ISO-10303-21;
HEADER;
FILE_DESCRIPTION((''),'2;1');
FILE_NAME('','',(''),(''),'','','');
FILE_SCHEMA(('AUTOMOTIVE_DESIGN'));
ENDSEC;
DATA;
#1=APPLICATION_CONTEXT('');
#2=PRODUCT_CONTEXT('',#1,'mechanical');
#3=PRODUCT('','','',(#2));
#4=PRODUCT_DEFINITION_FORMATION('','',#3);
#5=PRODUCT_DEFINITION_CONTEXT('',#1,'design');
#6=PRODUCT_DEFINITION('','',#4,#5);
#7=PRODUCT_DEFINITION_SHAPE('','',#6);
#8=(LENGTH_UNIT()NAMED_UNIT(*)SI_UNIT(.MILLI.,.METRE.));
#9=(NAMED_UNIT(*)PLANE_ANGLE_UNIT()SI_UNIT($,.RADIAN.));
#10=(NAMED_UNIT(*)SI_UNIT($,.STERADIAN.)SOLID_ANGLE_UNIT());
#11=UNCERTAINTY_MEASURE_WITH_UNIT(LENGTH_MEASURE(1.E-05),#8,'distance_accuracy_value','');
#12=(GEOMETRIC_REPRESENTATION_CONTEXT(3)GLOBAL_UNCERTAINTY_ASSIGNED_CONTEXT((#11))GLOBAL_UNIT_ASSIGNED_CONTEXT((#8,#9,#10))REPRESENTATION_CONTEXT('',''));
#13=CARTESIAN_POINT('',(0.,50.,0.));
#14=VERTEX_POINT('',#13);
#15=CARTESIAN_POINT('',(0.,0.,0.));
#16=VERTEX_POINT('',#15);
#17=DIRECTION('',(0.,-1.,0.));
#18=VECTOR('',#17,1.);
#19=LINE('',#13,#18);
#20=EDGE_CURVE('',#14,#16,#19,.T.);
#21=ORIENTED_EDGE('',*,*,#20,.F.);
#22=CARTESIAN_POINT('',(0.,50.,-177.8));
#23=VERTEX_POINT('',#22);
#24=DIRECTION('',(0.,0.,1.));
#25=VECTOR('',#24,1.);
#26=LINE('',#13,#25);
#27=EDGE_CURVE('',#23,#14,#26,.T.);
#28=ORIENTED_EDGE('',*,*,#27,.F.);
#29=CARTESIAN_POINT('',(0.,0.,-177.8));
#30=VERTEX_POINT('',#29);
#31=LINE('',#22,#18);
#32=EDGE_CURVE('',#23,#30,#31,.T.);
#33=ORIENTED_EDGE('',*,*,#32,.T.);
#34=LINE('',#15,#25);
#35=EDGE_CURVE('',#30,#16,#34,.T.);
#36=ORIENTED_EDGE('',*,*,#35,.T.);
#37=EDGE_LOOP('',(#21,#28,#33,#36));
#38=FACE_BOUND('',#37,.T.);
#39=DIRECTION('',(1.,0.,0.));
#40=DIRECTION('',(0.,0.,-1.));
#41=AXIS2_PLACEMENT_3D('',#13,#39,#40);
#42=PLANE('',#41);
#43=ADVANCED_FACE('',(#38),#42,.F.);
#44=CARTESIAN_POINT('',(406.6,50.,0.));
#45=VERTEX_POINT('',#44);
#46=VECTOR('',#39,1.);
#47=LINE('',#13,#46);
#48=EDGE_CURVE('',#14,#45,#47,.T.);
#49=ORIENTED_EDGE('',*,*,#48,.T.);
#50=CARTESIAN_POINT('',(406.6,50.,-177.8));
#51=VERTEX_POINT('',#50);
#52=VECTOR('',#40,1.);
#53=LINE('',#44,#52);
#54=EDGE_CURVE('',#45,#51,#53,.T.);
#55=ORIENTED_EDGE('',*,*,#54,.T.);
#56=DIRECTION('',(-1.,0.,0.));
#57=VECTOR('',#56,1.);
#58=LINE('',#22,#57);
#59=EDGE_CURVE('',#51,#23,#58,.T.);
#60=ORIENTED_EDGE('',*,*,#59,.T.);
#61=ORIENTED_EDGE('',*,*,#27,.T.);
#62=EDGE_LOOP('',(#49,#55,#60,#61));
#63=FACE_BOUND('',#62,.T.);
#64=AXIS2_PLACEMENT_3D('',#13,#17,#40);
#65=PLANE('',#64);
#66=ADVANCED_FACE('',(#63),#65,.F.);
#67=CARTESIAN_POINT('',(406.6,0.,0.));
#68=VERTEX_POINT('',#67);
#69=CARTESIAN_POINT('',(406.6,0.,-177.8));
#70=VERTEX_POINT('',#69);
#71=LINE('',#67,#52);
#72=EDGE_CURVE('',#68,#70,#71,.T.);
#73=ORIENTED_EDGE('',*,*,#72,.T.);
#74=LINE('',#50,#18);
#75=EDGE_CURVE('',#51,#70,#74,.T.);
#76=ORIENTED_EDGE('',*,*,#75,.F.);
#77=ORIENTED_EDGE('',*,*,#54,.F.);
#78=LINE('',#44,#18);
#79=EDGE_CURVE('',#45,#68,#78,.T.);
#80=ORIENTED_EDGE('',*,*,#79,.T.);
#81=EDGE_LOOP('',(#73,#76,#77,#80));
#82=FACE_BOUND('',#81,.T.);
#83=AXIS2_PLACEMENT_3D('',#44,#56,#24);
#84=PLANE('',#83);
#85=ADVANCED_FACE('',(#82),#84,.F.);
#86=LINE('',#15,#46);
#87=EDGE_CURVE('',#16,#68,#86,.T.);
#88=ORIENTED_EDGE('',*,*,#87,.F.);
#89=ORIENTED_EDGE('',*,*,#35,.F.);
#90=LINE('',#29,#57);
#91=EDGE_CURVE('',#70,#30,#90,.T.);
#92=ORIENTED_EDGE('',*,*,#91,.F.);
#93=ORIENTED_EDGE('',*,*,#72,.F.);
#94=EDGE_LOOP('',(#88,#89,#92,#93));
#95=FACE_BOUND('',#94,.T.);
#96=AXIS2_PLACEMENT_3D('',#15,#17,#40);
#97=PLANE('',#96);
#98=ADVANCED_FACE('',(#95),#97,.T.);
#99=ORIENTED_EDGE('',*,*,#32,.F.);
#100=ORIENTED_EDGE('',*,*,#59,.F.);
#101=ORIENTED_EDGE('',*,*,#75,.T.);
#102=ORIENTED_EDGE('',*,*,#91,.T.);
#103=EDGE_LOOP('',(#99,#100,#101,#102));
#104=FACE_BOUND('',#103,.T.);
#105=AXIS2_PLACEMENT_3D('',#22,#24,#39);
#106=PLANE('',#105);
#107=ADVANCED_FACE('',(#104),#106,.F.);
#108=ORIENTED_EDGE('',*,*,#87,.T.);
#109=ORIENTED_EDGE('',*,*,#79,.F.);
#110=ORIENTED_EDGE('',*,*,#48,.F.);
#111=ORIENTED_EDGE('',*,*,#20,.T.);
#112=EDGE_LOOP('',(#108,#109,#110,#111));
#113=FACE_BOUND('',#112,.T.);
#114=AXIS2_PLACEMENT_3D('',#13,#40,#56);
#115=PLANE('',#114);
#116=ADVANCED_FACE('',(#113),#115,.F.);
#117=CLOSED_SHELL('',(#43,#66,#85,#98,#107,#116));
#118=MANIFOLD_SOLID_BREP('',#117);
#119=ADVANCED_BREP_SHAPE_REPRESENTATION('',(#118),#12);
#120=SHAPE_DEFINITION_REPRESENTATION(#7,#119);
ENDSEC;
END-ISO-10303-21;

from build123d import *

# Parameters (mm, degrees)
ESQUISSE1_W        = 406.6
ESQUISSE1_H        = 177.8
BOSS_EXTRU_1_DEPTH = 50


with BuildPart() as part:
    # Esquisse1 → Boss.-Extru.1 (new body)
    with BuildSketch(Plane(origin=(0, 0, 0), x_dir=(1, 0, 0), z_dir=(0, 1, 0))):
        with Locations((203.3, 88.9)):
            Rectangle(ESQUISSE1_W, ESQUISSE1_H)
    extrude(amount=BOSS_EXTRU_1_DEPTH)


solid = part.part
